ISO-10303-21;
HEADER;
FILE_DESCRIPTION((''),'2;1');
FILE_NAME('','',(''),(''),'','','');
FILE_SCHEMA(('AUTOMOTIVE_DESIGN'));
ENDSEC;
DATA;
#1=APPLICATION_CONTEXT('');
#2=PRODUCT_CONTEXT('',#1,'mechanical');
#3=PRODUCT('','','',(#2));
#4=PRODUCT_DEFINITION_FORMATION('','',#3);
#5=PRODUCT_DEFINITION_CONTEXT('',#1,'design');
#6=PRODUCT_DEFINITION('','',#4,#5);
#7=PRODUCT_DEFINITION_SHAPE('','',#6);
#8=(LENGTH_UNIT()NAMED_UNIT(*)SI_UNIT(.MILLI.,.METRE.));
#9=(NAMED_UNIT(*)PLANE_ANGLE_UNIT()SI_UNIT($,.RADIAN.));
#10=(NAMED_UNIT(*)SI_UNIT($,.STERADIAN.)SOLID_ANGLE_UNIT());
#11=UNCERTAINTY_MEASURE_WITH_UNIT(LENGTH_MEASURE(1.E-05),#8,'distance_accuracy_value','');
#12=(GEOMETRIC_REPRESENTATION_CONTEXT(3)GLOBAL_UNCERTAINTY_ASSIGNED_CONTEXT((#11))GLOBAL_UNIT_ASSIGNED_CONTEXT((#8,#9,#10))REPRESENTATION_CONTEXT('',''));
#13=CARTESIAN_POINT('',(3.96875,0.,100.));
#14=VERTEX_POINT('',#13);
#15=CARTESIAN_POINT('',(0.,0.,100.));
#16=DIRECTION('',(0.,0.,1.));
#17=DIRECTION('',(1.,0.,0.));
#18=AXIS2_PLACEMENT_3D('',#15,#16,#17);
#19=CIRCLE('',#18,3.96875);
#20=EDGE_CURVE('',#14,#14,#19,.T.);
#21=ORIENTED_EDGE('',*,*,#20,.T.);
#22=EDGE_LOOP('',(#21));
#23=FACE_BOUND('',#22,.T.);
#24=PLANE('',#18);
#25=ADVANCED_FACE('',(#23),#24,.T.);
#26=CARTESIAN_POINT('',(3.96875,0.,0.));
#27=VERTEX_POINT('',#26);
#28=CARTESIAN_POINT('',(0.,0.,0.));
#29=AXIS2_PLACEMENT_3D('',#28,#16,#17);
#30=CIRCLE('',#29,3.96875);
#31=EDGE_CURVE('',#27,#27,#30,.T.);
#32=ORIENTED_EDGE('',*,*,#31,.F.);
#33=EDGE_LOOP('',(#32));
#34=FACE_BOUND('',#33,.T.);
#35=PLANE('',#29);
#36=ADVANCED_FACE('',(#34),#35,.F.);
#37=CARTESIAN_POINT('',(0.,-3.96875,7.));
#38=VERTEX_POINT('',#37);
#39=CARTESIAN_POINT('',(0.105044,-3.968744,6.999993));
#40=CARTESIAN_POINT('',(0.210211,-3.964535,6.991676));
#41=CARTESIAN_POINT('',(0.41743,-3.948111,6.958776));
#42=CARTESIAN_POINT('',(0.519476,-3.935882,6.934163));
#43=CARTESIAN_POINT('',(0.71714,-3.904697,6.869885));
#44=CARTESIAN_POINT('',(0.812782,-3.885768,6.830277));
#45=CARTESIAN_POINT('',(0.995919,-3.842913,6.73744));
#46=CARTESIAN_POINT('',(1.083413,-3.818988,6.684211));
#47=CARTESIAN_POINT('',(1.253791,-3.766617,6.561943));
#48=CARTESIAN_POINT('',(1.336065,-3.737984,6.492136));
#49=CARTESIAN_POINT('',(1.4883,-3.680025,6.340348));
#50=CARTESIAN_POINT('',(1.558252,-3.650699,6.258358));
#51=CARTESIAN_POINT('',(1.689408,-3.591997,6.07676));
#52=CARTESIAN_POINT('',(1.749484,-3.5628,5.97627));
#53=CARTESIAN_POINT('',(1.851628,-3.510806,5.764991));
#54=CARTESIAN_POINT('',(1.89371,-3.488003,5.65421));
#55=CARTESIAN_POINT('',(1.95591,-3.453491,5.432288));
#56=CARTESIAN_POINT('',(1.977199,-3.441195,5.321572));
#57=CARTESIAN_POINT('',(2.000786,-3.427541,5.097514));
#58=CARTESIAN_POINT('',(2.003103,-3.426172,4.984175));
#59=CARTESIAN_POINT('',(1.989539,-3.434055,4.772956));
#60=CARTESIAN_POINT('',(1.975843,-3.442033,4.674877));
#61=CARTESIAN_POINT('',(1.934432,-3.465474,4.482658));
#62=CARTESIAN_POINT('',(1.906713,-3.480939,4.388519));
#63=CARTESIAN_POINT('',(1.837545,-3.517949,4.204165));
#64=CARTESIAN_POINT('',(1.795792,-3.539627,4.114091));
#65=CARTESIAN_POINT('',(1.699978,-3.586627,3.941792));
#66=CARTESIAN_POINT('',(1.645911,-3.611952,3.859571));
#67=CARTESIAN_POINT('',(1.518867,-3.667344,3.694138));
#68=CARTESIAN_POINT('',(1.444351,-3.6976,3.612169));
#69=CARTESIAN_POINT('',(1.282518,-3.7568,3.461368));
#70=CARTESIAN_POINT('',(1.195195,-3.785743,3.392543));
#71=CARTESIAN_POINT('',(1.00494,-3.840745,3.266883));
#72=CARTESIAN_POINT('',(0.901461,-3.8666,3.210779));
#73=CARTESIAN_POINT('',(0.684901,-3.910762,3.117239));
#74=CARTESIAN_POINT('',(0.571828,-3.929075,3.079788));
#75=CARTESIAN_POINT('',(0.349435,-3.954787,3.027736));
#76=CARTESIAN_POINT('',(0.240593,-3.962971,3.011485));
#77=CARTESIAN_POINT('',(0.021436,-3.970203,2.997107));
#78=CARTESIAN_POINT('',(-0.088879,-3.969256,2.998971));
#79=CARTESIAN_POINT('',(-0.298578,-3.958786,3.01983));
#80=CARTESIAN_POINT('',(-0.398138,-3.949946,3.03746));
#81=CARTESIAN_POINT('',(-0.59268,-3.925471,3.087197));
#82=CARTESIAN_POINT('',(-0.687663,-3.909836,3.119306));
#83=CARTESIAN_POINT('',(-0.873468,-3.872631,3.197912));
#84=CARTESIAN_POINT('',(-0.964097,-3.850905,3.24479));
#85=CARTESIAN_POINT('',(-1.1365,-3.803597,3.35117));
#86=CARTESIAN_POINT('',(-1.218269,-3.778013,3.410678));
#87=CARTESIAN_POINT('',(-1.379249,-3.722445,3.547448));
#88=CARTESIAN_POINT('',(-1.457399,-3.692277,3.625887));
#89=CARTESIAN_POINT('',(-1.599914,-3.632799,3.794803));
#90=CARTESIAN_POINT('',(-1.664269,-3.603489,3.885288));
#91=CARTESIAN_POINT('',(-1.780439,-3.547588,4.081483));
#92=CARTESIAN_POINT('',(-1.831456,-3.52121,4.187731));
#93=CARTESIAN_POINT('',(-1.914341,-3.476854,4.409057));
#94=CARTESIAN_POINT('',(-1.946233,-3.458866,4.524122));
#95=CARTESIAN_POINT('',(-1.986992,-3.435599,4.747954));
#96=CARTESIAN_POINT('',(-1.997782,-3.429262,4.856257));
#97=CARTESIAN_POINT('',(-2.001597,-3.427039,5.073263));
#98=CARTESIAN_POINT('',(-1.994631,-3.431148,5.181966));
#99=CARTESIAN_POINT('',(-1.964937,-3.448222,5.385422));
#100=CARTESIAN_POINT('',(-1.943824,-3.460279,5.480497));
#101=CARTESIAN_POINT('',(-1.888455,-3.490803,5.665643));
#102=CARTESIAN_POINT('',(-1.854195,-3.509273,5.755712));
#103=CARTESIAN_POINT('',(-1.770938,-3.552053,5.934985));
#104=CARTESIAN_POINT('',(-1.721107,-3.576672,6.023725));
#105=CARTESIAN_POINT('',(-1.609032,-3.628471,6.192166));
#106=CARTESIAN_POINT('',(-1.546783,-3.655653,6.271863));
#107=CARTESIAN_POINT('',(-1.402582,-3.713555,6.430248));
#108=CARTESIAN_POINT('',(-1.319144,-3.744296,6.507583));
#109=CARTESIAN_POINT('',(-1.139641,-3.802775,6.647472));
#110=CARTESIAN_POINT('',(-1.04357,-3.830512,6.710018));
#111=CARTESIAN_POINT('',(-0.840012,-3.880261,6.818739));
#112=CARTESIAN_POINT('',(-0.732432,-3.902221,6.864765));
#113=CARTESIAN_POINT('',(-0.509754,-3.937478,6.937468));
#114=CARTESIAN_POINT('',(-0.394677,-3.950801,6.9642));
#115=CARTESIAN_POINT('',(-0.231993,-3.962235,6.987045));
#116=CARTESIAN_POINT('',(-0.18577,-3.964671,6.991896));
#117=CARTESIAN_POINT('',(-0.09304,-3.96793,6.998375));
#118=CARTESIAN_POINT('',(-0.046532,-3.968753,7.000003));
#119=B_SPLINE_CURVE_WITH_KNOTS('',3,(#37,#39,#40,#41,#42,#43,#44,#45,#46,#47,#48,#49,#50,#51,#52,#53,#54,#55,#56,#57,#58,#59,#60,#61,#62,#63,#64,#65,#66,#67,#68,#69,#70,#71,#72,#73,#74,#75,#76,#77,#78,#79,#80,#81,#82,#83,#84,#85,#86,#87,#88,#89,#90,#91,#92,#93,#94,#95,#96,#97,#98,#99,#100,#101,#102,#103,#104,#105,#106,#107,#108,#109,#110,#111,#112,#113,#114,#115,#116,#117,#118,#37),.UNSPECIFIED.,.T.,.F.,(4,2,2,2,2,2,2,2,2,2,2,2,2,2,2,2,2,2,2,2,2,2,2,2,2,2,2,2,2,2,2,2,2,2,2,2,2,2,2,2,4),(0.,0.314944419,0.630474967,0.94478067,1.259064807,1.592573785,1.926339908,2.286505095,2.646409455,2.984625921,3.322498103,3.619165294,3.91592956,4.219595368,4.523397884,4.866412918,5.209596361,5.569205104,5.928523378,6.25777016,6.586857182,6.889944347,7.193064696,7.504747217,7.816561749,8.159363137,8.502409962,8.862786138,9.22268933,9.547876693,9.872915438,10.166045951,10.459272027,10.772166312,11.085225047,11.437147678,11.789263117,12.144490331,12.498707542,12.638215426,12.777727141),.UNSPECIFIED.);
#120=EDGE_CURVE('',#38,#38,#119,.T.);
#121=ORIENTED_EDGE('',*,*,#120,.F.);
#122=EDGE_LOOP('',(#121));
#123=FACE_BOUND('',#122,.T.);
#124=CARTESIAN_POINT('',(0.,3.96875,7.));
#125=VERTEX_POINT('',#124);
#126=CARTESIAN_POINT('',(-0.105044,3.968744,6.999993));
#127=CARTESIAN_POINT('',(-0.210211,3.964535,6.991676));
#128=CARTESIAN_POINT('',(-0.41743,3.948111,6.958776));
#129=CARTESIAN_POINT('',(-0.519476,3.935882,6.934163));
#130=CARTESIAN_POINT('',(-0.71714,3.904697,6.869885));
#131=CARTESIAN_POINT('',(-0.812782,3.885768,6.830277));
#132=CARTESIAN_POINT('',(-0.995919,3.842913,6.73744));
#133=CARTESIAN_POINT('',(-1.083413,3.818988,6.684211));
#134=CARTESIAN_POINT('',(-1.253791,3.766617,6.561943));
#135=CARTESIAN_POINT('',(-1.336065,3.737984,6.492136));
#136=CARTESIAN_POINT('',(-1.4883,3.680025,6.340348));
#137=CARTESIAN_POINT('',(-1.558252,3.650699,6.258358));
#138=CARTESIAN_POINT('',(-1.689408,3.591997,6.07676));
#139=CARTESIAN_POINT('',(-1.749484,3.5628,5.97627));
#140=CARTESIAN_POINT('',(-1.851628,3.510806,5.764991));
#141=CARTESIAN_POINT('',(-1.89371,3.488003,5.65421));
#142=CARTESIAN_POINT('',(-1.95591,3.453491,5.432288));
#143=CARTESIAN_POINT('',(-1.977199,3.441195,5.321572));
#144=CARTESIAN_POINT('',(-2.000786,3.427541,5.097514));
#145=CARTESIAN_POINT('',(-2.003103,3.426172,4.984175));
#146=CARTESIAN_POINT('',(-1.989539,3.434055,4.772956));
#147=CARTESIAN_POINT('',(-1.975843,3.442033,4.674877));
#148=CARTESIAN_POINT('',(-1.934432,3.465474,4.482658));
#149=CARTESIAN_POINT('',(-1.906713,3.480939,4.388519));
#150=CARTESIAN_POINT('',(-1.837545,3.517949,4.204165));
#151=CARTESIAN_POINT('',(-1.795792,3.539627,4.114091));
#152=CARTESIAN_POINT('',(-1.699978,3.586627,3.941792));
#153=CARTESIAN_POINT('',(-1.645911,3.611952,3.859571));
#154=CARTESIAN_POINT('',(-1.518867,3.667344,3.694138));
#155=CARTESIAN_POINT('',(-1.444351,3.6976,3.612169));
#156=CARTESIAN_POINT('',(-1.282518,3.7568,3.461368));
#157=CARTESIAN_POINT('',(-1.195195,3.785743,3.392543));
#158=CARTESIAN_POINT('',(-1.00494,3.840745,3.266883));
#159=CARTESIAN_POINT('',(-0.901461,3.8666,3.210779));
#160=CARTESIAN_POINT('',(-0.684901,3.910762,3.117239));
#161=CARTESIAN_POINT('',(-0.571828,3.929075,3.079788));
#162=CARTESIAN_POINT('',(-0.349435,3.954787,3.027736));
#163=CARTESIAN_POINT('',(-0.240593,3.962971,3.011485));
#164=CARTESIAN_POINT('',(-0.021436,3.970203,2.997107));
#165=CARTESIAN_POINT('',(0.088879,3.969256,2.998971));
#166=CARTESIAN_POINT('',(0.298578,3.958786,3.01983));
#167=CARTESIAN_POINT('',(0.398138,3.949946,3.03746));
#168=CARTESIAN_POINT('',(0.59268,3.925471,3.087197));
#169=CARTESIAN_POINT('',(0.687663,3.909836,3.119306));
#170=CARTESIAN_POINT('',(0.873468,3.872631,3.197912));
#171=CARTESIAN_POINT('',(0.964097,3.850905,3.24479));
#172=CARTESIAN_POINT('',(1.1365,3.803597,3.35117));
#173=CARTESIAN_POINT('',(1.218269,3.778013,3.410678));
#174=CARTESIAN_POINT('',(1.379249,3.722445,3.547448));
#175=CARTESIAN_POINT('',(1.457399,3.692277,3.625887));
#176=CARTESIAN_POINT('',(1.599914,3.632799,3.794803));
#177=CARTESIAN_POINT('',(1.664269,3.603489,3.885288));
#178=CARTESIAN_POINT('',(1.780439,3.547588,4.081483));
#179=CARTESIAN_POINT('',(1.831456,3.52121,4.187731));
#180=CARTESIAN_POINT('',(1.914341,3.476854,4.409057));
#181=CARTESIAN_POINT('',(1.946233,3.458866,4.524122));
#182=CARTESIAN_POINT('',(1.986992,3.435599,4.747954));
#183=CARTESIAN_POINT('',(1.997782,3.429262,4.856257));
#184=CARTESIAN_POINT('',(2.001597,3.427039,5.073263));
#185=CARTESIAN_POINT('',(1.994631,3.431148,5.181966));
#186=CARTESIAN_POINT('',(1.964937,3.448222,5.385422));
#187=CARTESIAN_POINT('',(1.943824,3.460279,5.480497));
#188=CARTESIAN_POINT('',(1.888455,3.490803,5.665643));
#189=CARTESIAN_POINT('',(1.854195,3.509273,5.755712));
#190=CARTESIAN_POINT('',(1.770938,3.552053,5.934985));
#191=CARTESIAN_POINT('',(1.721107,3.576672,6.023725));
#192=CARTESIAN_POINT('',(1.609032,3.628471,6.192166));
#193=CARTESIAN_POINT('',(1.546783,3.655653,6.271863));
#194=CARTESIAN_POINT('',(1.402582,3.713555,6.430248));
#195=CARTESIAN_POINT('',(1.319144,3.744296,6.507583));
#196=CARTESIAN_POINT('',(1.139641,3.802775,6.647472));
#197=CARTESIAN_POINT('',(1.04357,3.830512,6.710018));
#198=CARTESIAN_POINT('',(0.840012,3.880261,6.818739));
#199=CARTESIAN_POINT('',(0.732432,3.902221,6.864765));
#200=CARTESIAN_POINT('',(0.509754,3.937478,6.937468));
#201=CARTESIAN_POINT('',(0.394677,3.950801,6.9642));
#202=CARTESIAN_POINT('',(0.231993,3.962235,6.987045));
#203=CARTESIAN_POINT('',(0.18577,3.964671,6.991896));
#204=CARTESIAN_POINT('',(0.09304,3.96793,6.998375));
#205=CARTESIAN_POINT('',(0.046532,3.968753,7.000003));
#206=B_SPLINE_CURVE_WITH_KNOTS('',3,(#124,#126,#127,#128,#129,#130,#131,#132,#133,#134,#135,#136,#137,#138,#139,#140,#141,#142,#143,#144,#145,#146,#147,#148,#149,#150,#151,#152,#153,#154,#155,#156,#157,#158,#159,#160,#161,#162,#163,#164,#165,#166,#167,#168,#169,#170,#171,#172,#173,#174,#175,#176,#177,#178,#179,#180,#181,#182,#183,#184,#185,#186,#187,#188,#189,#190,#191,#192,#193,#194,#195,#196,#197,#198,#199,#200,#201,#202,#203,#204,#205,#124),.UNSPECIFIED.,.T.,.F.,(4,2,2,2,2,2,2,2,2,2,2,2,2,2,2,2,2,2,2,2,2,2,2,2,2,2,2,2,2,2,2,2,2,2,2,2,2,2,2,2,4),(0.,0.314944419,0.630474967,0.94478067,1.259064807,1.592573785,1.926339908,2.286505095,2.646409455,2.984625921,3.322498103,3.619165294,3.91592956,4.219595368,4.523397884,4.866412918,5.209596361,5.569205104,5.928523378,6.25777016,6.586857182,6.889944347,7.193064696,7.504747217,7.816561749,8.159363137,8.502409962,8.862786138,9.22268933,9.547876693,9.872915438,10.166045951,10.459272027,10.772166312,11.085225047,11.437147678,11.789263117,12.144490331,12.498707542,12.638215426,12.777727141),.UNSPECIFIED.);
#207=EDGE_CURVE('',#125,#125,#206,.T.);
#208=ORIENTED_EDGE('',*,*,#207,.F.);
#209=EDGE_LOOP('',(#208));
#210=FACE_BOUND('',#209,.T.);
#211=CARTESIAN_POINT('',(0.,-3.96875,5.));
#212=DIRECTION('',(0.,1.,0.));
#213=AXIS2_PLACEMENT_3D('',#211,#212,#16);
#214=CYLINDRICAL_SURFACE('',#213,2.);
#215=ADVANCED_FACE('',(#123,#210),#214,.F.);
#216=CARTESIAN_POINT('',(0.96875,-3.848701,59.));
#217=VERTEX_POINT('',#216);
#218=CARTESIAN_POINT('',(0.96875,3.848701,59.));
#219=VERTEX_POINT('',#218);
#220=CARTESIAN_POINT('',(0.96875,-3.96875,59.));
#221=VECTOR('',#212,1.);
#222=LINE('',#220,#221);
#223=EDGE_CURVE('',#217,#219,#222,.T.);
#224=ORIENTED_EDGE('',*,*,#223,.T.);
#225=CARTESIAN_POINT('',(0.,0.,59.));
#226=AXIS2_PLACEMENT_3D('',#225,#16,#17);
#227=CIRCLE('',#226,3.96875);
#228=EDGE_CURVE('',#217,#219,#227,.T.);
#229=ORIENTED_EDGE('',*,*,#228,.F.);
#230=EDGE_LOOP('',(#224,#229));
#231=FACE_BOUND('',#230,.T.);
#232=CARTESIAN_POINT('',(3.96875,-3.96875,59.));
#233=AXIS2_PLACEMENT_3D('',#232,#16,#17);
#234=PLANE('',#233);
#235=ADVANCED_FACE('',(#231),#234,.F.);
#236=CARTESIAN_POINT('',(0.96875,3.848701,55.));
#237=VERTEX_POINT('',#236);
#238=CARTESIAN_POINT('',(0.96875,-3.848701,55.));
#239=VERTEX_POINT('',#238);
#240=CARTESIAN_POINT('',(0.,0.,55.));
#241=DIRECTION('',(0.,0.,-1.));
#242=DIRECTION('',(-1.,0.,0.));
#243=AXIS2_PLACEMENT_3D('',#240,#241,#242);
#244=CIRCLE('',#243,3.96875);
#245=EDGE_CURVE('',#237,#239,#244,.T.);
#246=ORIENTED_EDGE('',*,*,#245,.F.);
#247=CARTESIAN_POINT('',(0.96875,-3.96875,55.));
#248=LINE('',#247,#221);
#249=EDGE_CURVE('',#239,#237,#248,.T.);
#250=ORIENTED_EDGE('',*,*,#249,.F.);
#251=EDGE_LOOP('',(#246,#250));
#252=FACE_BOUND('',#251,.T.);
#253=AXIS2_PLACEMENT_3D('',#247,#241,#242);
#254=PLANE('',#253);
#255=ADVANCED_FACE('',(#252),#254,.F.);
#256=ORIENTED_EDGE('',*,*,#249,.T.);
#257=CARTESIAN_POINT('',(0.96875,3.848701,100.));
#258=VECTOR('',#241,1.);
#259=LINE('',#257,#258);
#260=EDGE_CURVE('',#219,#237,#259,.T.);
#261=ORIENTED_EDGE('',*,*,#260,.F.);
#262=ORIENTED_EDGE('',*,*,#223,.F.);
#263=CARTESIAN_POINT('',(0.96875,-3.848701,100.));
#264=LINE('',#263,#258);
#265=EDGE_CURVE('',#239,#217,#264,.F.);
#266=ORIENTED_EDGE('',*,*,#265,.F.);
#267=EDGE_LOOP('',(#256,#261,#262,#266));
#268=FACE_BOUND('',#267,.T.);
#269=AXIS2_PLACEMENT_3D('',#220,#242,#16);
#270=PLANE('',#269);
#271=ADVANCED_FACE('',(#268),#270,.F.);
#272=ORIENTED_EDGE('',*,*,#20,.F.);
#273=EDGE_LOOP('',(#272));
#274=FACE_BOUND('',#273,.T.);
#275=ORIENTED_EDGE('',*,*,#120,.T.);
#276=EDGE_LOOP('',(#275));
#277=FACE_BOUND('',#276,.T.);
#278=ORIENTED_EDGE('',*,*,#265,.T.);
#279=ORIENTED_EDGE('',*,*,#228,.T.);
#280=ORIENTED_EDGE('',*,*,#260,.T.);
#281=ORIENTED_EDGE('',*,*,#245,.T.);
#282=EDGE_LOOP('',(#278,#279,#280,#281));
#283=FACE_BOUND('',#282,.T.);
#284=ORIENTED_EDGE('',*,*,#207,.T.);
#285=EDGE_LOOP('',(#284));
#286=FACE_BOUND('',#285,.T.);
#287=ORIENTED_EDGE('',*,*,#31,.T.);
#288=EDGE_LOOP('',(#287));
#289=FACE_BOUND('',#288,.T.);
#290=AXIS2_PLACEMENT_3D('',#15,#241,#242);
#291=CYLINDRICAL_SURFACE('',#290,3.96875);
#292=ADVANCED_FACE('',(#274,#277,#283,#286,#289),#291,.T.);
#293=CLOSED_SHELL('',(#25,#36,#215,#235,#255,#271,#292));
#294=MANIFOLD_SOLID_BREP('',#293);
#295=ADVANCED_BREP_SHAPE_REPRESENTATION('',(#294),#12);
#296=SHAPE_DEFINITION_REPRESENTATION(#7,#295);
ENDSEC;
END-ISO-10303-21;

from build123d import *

# Parameters (mm, degrees)
SKETCH1_R               = 3.96875
BOSS_EXTRUDE1_DEPTH     = 100
CUT_EXTRUDE2_DEPTH      = 101.157385914
CUT_EXTRUDE2_DEPTH_BACK = 101.157385914
SKETCH3_R               = 2
CUT_EXTRUDE3_DEPTH      = 101.157386022
CUT_EXTRUDE3_DEPTH_BACK = 101.157386022
SKETCH5_W               = 3
SKETCH5_H               = 4


with BuildPart() as part:
    # Sketch1 → Boss-Extrude1 (new body)
    with BuildSketch(Plane.XY):
        Circle(SKETCH1_R)
    extrude(amount=BOSS_EXTRUDE1_DEPTH)

    # Sketch3 → Cut-Extrude2 (cut, two sides: drawn at the far end of the back side and taken through both)
    with BuildSketch(Plane(origin=(0, 0, 0), x_dir=(1, 0, 0), z_dir=(0, 1, 0)).offset(-CUT_EXTRUDE2_DEPTH_BACK)):
        with Locations((0, -5)):
            Circle(SKETCH3_R)
    extrude(amount=CUT_EXTRUDE2_DEPTH + CUT_EXTRUDE2_DEPTH_BACK, mode=Mode.SUBTRACT)

    # Sketch5 → Cut-Extrude3 (cut, two sides: drawn at the far end of the back side and taken through both)
    with BuildSketch(Plane(origin=(0, 0, 0), x_dir=(1, 0, 0), z_dir=(0, 1, 0)).offset(-CUT_EXTRUDE3_DEPTH_BACK)):
        with Locations((2.46875, -57)):
            Rectangle(SKETCH5_W, SKETCH5_H)
    extrude(amount=CUT_EXTRUDE3_DEPTH + CUT_EXTRUDE3_DEPTH_BACK, mode=Mode.SUBTRACT)


solid = part.part
